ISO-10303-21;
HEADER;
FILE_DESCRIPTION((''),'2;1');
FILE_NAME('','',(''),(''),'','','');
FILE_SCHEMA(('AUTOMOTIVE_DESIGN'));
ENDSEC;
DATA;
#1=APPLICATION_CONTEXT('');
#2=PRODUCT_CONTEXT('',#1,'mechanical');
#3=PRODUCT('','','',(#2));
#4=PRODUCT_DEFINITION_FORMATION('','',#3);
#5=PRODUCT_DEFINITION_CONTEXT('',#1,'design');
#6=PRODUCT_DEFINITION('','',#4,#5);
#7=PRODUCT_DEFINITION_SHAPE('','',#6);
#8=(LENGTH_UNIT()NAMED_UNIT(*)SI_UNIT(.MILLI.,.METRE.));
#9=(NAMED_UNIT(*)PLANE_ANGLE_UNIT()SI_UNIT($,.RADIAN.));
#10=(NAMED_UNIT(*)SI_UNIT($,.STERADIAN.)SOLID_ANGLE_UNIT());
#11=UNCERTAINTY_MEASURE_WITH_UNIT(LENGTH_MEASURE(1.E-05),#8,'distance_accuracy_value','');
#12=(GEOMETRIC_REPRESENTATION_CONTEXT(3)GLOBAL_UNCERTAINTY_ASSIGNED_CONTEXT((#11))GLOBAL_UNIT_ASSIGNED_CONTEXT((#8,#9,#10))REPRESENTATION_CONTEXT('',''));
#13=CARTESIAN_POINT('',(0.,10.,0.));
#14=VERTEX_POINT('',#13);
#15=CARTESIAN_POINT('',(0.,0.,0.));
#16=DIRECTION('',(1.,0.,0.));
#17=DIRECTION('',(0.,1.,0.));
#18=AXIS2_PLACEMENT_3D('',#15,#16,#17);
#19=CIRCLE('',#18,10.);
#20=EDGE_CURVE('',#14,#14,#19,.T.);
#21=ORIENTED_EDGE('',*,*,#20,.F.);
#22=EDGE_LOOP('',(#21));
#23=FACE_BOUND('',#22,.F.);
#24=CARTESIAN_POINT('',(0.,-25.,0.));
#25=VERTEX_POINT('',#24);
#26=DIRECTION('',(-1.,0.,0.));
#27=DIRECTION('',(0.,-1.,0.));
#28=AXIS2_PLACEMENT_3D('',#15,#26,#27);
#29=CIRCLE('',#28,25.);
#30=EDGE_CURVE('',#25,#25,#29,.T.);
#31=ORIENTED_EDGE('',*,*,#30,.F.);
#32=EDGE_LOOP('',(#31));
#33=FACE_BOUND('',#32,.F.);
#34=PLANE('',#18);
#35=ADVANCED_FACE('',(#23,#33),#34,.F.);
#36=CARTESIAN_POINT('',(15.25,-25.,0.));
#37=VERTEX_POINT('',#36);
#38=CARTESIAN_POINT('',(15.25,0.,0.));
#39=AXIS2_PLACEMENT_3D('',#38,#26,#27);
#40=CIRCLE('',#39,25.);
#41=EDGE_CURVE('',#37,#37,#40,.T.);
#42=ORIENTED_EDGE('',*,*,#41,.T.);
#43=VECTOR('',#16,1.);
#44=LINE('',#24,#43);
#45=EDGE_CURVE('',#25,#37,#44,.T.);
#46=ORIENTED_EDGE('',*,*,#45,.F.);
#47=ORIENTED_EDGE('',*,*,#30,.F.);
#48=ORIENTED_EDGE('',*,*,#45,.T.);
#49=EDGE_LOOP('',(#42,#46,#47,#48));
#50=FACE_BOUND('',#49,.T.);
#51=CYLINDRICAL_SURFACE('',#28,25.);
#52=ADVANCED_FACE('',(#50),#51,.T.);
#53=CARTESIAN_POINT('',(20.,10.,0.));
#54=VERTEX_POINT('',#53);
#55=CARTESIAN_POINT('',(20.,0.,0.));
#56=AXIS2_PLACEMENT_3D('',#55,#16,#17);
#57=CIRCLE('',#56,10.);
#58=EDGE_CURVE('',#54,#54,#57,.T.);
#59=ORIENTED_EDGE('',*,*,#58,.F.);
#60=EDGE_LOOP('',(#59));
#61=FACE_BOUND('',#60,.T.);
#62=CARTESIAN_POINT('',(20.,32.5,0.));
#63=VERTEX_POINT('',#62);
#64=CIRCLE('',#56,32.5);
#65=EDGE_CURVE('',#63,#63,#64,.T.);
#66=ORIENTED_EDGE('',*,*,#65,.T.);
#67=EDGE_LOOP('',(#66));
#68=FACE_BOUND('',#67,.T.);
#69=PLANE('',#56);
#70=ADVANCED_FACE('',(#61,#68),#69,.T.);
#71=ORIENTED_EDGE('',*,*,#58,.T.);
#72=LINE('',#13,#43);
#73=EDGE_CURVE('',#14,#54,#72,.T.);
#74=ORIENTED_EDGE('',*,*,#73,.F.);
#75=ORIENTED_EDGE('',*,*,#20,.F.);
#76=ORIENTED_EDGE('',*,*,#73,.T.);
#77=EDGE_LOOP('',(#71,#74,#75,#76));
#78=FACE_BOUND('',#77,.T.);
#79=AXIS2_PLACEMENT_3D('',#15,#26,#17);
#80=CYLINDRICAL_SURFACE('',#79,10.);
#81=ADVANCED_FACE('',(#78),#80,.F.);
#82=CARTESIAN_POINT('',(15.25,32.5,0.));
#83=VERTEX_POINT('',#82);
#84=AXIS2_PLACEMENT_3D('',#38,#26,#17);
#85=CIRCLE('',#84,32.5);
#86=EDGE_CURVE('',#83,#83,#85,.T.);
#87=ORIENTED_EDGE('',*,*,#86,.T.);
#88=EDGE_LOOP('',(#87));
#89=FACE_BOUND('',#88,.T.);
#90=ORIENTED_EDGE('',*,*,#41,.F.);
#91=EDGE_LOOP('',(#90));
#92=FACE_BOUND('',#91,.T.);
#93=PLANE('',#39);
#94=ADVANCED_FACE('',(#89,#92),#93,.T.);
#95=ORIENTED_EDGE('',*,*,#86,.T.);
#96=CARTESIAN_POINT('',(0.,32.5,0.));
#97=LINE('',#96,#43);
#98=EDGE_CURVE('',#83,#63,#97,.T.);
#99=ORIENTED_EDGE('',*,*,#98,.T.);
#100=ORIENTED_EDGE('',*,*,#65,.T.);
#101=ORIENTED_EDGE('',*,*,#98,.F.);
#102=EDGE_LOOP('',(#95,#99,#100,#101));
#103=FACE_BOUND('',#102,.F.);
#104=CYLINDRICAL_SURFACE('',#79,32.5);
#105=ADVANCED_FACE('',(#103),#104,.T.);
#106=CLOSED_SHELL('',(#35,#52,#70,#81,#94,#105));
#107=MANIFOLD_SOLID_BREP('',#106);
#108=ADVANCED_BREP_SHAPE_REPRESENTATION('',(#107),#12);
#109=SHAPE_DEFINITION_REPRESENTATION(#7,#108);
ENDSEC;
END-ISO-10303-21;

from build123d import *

# Parameters (mm, degrees)
F0_R     = 32.5
F0_R_2   = 10
F1_DEPTH = 20
F2_R     = 43.119325
F2_R_2   = 25
F3_DEPTH = 15.25


with BuildPart() as f1:
    # F0 (on Right) → F1 (new body)
    with BuildSketch(Plane.YZ):
        Circle(F0_R)
        Circle(F0_R_2, mode=Mode.SUBTRACT)
    extrude(amount=F1_DEPTH)

    # F2 (on face) → F3 (cut)
    with BuildSketch(Plane(origin=(0, 0, 0), x_dir=(0, -1, 0), z_dir=(-1, 0, 0))):
        Circle(F2_R)
        Circle(F2_R_2, mode=Mode.SUBTRACT)
    extrude(amount=-F3_DEPTH, mode=Mode.SUBTRACT)


solid = f1.part
